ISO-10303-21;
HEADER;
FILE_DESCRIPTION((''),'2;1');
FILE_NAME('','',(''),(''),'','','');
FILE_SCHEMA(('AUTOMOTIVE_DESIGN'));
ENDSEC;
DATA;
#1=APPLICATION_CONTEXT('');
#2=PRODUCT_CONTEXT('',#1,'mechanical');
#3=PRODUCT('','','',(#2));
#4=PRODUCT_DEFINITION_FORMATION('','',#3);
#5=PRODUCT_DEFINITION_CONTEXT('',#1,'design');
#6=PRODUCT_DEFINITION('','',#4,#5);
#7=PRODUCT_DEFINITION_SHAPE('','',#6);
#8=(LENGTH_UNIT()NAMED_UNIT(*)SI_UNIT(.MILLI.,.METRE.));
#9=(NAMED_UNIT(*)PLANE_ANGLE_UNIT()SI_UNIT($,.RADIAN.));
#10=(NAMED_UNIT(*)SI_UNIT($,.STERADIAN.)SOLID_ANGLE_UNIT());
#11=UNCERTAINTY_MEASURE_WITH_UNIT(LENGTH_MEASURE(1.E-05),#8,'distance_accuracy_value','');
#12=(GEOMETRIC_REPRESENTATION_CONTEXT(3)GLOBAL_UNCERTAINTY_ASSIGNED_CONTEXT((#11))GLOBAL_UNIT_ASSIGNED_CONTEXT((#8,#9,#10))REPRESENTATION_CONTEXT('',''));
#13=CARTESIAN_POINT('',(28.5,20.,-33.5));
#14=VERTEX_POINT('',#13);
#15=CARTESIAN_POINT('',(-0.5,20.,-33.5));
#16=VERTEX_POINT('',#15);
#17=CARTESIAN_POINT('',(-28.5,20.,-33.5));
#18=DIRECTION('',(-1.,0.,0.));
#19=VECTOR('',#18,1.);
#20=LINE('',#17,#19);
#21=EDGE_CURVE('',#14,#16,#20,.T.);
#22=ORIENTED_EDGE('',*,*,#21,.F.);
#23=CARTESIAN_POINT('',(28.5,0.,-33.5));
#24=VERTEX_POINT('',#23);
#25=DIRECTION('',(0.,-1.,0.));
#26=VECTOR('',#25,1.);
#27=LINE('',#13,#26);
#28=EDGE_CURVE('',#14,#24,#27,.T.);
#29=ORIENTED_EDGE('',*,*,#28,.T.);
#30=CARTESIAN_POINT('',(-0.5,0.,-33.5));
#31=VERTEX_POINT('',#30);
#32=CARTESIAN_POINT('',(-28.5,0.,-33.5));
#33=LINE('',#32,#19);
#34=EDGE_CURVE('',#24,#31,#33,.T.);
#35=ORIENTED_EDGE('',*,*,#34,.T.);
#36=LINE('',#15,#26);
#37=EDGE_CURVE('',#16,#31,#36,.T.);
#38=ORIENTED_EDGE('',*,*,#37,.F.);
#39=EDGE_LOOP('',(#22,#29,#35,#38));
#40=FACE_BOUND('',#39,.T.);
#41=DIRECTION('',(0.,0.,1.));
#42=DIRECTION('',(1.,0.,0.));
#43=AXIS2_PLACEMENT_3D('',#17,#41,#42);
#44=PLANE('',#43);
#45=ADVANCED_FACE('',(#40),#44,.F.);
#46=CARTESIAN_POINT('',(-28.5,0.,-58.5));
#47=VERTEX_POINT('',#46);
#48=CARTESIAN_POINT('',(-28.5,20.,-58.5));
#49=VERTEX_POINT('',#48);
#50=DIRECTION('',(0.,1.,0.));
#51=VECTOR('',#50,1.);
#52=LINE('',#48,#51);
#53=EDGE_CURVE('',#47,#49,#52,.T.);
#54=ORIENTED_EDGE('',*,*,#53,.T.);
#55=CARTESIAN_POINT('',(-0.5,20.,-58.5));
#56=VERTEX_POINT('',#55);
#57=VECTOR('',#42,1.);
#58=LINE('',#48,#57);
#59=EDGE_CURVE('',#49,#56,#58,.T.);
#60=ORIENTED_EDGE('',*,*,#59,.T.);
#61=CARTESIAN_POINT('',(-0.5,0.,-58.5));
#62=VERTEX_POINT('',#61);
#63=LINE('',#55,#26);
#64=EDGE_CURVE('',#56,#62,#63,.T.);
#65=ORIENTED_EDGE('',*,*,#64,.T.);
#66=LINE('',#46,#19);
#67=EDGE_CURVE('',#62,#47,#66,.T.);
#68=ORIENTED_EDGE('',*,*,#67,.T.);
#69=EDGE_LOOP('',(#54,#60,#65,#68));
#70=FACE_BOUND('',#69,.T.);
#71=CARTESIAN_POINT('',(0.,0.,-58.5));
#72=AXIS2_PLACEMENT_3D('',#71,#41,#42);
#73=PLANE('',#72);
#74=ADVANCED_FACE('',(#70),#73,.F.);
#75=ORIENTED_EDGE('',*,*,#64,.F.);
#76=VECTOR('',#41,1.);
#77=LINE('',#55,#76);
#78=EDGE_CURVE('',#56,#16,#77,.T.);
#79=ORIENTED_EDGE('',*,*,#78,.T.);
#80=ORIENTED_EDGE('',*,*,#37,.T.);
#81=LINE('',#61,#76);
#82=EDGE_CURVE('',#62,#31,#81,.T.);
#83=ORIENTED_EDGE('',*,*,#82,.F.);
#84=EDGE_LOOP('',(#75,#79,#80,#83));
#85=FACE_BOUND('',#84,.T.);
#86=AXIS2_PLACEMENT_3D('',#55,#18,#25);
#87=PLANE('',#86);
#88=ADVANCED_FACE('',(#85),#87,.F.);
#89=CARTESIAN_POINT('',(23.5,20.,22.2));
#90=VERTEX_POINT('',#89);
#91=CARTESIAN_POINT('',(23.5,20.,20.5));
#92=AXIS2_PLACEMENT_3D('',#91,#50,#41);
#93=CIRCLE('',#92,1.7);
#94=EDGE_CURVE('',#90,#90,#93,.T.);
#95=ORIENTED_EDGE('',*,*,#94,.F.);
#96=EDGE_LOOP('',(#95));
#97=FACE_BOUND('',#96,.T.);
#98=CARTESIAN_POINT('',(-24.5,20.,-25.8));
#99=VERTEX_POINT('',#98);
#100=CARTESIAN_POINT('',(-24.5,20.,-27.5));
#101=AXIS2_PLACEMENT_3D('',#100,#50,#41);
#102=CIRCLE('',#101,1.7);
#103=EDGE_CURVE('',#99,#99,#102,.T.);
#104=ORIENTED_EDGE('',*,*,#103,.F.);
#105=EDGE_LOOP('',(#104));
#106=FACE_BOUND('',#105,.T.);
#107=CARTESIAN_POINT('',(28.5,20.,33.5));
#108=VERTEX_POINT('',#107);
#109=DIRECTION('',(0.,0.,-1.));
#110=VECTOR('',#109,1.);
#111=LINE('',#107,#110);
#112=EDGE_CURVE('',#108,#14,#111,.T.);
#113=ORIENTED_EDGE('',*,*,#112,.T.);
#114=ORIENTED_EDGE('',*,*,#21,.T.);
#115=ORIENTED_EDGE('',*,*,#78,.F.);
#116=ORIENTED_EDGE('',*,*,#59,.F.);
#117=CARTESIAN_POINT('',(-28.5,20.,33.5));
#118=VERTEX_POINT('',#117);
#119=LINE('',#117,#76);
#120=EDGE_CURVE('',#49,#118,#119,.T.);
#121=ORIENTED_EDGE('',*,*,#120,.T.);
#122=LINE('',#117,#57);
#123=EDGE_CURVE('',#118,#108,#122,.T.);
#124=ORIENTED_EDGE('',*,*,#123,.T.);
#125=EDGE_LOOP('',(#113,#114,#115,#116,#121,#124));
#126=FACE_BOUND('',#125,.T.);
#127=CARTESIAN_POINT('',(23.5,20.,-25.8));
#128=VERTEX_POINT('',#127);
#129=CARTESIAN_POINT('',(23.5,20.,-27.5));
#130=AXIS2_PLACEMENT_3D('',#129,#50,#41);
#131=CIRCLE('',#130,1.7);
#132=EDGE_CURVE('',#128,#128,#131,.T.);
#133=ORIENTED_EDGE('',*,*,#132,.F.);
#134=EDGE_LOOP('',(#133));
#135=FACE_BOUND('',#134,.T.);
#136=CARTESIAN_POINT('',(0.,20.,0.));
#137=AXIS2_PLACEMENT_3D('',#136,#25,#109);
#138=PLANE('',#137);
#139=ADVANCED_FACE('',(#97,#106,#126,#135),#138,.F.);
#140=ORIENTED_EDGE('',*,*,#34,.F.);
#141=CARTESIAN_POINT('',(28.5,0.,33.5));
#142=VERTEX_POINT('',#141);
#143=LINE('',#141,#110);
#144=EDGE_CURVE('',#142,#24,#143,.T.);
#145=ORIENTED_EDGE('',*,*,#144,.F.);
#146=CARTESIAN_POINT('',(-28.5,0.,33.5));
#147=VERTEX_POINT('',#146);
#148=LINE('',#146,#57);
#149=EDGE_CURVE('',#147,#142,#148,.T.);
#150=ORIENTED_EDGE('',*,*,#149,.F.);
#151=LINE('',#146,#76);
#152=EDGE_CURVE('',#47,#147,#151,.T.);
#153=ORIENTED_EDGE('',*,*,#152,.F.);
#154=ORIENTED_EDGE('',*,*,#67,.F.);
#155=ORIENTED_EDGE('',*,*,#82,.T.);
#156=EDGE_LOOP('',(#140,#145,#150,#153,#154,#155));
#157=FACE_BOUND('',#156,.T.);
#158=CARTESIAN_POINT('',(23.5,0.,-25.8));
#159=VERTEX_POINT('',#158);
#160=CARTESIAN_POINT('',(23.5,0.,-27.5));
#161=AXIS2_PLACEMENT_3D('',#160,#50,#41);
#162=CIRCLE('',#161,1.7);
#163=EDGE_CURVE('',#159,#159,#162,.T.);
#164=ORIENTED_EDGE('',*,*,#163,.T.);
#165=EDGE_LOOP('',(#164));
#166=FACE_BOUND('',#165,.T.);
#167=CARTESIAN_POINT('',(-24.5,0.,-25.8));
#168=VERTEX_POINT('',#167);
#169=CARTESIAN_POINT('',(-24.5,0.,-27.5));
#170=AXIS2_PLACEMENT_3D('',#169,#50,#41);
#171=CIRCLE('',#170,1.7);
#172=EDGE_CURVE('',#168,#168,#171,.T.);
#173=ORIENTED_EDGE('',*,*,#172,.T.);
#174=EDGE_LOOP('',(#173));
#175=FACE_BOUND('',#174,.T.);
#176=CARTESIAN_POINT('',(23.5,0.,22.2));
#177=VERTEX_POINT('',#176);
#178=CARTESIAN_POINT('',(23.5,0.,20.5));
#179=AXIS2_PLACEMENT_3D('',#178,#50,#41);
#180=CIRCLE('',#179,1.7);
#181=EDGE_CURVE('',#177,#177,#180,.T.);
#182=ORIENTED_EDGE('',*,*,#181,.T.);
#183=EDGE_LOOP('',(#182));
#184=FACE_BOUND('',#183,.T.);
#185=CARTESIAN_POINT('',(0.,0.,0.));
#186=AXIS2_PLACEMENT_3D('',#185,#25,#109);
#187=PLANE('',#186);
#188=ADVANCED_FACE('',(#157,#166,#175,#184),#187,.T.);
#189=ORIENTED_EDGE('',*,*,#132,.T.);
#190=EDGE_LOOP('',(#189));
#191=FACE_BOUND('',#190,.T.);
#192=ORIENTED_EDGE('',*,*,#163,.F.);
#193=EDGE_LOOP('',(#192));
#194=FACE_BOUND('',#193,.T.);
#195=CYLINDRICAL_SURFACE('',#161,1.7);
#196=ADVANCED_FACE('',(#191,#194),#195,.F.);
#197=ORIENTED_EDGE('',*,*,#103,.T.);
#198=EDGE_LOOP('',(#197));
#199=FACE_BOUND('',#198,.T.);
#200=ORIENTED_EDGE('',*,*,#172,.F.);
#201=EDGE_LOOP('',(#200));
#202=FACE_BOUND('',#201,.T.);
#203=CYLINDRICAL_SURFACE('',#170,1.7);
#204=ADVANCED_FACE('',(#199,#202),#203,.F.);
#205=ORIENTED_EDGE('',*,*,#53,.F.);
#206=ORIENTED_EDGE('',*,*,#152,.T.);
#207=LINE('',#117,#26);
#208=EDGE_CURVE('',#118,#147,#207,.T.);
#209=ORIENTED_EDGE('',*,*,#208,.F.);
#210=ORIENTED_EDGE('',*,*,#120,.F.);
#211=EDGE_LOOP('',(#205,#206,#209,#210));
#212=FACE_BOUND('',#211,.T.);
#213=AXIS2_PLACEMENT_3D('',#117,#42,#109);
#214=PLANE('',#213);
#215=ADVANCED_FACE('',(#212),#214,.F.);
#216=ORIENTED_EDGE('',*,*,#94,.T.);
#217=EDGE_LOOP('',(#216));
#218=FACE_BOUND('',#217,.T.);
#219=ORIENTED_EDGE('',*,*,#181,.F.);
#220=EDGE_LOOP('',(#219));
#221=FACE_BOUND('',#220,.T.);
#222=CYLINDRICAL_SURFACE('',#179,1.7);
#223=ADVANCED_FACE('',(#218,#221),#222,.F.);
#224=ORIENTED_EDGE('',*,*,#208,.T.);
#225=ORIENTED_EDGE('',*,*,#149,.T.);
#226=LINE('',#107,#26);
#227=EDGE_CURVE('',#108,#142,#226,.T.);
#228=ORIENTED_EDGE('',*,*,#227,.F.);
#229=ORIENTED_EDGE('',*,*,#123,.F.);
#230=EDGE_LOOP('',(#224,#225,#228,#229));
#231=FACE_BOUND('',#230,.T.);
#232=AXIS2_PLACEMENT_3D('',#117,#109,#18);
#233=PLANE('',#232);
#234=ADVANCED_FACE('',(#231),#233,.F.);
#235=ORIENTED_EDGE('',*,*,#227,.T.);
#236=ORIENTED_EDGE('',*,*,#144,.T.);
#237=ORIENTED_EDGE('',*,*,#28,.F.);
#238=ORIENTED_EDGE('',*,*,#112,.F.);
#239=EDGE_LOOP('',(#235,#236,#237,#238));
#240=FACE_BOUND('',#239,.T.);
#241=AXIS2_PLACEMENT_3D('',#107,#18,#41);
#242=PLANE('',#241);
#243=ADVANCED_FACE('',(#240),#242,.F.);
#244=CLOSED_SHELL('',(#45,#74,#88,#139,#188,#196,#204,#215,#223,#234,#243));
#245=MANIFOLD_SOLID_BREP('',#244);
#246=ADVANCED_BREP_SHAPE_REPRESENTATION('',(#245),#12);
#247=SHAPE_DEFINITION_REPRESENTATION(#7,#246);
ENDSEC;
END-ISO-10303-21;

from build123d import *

# Parameters (mm, degrees)
SKETCH1_W           = 57
SKETCH1_H           = 67
BOSS_EXTRUDE1_DEPTH = 20
SKETCH2_R           = 1.7
CUT_EXTRUDE1_DEPTH  = 20
SKETCH3_W           = 28
SKETCH3_H           = 20
BOSS_EXTRUDE2_DEPTH = 25


with BuildPart() as part:
    # Sketch1 → Boss-Extrude1 (new body)
    with BuildSketch(Plane(origin=(0, 0, 0), x_dir=(1, 0, 0), z_dir=(0, 1, 0))):
        Rectangle(SKETCH1_W, SKETCH1_H)
    extrude(amount=BOSS_EXTRUDE1_DEPTH)

    # Sketch2 → Cut-Extrude1 (cut)
    with BuildSketch(Plane(origin=(0, 20, 0), x_dir=(1, 0, 0), z_dir=(0, 1, 0))):
        with Locations(Location((-24.5, 27.5, 0), (0, 0, 270))):
            Circle(SKETCH2_R)
        with Locations(Location((23.5, 27.5, 0), (0, 0, 270))):
            Circle(SKETCH2_R)
        with Locations(Location((23.5, -20.5, 0), (0, 0, 270))):
            Circle(SKETCH2_R)
    extrude(amount=-CUT_EXTRUDE1_DEPTH, mode=Mode.SUBTRACT)

    # Sketch3 → Boss-Extrude2 (add)
    with BuildSketch(Plane(origin=(0, 0, -33.5), x_dir=(-1, 0, 0), z_dir=(0, 0, -1))):
        with Locations((14.5, 10)):
            Rectangle(SKETCH3_W, SKETCH3_H)
    extrude(amount=BOSS_EXTRUDE2_DEPTH)


solid = part.part
